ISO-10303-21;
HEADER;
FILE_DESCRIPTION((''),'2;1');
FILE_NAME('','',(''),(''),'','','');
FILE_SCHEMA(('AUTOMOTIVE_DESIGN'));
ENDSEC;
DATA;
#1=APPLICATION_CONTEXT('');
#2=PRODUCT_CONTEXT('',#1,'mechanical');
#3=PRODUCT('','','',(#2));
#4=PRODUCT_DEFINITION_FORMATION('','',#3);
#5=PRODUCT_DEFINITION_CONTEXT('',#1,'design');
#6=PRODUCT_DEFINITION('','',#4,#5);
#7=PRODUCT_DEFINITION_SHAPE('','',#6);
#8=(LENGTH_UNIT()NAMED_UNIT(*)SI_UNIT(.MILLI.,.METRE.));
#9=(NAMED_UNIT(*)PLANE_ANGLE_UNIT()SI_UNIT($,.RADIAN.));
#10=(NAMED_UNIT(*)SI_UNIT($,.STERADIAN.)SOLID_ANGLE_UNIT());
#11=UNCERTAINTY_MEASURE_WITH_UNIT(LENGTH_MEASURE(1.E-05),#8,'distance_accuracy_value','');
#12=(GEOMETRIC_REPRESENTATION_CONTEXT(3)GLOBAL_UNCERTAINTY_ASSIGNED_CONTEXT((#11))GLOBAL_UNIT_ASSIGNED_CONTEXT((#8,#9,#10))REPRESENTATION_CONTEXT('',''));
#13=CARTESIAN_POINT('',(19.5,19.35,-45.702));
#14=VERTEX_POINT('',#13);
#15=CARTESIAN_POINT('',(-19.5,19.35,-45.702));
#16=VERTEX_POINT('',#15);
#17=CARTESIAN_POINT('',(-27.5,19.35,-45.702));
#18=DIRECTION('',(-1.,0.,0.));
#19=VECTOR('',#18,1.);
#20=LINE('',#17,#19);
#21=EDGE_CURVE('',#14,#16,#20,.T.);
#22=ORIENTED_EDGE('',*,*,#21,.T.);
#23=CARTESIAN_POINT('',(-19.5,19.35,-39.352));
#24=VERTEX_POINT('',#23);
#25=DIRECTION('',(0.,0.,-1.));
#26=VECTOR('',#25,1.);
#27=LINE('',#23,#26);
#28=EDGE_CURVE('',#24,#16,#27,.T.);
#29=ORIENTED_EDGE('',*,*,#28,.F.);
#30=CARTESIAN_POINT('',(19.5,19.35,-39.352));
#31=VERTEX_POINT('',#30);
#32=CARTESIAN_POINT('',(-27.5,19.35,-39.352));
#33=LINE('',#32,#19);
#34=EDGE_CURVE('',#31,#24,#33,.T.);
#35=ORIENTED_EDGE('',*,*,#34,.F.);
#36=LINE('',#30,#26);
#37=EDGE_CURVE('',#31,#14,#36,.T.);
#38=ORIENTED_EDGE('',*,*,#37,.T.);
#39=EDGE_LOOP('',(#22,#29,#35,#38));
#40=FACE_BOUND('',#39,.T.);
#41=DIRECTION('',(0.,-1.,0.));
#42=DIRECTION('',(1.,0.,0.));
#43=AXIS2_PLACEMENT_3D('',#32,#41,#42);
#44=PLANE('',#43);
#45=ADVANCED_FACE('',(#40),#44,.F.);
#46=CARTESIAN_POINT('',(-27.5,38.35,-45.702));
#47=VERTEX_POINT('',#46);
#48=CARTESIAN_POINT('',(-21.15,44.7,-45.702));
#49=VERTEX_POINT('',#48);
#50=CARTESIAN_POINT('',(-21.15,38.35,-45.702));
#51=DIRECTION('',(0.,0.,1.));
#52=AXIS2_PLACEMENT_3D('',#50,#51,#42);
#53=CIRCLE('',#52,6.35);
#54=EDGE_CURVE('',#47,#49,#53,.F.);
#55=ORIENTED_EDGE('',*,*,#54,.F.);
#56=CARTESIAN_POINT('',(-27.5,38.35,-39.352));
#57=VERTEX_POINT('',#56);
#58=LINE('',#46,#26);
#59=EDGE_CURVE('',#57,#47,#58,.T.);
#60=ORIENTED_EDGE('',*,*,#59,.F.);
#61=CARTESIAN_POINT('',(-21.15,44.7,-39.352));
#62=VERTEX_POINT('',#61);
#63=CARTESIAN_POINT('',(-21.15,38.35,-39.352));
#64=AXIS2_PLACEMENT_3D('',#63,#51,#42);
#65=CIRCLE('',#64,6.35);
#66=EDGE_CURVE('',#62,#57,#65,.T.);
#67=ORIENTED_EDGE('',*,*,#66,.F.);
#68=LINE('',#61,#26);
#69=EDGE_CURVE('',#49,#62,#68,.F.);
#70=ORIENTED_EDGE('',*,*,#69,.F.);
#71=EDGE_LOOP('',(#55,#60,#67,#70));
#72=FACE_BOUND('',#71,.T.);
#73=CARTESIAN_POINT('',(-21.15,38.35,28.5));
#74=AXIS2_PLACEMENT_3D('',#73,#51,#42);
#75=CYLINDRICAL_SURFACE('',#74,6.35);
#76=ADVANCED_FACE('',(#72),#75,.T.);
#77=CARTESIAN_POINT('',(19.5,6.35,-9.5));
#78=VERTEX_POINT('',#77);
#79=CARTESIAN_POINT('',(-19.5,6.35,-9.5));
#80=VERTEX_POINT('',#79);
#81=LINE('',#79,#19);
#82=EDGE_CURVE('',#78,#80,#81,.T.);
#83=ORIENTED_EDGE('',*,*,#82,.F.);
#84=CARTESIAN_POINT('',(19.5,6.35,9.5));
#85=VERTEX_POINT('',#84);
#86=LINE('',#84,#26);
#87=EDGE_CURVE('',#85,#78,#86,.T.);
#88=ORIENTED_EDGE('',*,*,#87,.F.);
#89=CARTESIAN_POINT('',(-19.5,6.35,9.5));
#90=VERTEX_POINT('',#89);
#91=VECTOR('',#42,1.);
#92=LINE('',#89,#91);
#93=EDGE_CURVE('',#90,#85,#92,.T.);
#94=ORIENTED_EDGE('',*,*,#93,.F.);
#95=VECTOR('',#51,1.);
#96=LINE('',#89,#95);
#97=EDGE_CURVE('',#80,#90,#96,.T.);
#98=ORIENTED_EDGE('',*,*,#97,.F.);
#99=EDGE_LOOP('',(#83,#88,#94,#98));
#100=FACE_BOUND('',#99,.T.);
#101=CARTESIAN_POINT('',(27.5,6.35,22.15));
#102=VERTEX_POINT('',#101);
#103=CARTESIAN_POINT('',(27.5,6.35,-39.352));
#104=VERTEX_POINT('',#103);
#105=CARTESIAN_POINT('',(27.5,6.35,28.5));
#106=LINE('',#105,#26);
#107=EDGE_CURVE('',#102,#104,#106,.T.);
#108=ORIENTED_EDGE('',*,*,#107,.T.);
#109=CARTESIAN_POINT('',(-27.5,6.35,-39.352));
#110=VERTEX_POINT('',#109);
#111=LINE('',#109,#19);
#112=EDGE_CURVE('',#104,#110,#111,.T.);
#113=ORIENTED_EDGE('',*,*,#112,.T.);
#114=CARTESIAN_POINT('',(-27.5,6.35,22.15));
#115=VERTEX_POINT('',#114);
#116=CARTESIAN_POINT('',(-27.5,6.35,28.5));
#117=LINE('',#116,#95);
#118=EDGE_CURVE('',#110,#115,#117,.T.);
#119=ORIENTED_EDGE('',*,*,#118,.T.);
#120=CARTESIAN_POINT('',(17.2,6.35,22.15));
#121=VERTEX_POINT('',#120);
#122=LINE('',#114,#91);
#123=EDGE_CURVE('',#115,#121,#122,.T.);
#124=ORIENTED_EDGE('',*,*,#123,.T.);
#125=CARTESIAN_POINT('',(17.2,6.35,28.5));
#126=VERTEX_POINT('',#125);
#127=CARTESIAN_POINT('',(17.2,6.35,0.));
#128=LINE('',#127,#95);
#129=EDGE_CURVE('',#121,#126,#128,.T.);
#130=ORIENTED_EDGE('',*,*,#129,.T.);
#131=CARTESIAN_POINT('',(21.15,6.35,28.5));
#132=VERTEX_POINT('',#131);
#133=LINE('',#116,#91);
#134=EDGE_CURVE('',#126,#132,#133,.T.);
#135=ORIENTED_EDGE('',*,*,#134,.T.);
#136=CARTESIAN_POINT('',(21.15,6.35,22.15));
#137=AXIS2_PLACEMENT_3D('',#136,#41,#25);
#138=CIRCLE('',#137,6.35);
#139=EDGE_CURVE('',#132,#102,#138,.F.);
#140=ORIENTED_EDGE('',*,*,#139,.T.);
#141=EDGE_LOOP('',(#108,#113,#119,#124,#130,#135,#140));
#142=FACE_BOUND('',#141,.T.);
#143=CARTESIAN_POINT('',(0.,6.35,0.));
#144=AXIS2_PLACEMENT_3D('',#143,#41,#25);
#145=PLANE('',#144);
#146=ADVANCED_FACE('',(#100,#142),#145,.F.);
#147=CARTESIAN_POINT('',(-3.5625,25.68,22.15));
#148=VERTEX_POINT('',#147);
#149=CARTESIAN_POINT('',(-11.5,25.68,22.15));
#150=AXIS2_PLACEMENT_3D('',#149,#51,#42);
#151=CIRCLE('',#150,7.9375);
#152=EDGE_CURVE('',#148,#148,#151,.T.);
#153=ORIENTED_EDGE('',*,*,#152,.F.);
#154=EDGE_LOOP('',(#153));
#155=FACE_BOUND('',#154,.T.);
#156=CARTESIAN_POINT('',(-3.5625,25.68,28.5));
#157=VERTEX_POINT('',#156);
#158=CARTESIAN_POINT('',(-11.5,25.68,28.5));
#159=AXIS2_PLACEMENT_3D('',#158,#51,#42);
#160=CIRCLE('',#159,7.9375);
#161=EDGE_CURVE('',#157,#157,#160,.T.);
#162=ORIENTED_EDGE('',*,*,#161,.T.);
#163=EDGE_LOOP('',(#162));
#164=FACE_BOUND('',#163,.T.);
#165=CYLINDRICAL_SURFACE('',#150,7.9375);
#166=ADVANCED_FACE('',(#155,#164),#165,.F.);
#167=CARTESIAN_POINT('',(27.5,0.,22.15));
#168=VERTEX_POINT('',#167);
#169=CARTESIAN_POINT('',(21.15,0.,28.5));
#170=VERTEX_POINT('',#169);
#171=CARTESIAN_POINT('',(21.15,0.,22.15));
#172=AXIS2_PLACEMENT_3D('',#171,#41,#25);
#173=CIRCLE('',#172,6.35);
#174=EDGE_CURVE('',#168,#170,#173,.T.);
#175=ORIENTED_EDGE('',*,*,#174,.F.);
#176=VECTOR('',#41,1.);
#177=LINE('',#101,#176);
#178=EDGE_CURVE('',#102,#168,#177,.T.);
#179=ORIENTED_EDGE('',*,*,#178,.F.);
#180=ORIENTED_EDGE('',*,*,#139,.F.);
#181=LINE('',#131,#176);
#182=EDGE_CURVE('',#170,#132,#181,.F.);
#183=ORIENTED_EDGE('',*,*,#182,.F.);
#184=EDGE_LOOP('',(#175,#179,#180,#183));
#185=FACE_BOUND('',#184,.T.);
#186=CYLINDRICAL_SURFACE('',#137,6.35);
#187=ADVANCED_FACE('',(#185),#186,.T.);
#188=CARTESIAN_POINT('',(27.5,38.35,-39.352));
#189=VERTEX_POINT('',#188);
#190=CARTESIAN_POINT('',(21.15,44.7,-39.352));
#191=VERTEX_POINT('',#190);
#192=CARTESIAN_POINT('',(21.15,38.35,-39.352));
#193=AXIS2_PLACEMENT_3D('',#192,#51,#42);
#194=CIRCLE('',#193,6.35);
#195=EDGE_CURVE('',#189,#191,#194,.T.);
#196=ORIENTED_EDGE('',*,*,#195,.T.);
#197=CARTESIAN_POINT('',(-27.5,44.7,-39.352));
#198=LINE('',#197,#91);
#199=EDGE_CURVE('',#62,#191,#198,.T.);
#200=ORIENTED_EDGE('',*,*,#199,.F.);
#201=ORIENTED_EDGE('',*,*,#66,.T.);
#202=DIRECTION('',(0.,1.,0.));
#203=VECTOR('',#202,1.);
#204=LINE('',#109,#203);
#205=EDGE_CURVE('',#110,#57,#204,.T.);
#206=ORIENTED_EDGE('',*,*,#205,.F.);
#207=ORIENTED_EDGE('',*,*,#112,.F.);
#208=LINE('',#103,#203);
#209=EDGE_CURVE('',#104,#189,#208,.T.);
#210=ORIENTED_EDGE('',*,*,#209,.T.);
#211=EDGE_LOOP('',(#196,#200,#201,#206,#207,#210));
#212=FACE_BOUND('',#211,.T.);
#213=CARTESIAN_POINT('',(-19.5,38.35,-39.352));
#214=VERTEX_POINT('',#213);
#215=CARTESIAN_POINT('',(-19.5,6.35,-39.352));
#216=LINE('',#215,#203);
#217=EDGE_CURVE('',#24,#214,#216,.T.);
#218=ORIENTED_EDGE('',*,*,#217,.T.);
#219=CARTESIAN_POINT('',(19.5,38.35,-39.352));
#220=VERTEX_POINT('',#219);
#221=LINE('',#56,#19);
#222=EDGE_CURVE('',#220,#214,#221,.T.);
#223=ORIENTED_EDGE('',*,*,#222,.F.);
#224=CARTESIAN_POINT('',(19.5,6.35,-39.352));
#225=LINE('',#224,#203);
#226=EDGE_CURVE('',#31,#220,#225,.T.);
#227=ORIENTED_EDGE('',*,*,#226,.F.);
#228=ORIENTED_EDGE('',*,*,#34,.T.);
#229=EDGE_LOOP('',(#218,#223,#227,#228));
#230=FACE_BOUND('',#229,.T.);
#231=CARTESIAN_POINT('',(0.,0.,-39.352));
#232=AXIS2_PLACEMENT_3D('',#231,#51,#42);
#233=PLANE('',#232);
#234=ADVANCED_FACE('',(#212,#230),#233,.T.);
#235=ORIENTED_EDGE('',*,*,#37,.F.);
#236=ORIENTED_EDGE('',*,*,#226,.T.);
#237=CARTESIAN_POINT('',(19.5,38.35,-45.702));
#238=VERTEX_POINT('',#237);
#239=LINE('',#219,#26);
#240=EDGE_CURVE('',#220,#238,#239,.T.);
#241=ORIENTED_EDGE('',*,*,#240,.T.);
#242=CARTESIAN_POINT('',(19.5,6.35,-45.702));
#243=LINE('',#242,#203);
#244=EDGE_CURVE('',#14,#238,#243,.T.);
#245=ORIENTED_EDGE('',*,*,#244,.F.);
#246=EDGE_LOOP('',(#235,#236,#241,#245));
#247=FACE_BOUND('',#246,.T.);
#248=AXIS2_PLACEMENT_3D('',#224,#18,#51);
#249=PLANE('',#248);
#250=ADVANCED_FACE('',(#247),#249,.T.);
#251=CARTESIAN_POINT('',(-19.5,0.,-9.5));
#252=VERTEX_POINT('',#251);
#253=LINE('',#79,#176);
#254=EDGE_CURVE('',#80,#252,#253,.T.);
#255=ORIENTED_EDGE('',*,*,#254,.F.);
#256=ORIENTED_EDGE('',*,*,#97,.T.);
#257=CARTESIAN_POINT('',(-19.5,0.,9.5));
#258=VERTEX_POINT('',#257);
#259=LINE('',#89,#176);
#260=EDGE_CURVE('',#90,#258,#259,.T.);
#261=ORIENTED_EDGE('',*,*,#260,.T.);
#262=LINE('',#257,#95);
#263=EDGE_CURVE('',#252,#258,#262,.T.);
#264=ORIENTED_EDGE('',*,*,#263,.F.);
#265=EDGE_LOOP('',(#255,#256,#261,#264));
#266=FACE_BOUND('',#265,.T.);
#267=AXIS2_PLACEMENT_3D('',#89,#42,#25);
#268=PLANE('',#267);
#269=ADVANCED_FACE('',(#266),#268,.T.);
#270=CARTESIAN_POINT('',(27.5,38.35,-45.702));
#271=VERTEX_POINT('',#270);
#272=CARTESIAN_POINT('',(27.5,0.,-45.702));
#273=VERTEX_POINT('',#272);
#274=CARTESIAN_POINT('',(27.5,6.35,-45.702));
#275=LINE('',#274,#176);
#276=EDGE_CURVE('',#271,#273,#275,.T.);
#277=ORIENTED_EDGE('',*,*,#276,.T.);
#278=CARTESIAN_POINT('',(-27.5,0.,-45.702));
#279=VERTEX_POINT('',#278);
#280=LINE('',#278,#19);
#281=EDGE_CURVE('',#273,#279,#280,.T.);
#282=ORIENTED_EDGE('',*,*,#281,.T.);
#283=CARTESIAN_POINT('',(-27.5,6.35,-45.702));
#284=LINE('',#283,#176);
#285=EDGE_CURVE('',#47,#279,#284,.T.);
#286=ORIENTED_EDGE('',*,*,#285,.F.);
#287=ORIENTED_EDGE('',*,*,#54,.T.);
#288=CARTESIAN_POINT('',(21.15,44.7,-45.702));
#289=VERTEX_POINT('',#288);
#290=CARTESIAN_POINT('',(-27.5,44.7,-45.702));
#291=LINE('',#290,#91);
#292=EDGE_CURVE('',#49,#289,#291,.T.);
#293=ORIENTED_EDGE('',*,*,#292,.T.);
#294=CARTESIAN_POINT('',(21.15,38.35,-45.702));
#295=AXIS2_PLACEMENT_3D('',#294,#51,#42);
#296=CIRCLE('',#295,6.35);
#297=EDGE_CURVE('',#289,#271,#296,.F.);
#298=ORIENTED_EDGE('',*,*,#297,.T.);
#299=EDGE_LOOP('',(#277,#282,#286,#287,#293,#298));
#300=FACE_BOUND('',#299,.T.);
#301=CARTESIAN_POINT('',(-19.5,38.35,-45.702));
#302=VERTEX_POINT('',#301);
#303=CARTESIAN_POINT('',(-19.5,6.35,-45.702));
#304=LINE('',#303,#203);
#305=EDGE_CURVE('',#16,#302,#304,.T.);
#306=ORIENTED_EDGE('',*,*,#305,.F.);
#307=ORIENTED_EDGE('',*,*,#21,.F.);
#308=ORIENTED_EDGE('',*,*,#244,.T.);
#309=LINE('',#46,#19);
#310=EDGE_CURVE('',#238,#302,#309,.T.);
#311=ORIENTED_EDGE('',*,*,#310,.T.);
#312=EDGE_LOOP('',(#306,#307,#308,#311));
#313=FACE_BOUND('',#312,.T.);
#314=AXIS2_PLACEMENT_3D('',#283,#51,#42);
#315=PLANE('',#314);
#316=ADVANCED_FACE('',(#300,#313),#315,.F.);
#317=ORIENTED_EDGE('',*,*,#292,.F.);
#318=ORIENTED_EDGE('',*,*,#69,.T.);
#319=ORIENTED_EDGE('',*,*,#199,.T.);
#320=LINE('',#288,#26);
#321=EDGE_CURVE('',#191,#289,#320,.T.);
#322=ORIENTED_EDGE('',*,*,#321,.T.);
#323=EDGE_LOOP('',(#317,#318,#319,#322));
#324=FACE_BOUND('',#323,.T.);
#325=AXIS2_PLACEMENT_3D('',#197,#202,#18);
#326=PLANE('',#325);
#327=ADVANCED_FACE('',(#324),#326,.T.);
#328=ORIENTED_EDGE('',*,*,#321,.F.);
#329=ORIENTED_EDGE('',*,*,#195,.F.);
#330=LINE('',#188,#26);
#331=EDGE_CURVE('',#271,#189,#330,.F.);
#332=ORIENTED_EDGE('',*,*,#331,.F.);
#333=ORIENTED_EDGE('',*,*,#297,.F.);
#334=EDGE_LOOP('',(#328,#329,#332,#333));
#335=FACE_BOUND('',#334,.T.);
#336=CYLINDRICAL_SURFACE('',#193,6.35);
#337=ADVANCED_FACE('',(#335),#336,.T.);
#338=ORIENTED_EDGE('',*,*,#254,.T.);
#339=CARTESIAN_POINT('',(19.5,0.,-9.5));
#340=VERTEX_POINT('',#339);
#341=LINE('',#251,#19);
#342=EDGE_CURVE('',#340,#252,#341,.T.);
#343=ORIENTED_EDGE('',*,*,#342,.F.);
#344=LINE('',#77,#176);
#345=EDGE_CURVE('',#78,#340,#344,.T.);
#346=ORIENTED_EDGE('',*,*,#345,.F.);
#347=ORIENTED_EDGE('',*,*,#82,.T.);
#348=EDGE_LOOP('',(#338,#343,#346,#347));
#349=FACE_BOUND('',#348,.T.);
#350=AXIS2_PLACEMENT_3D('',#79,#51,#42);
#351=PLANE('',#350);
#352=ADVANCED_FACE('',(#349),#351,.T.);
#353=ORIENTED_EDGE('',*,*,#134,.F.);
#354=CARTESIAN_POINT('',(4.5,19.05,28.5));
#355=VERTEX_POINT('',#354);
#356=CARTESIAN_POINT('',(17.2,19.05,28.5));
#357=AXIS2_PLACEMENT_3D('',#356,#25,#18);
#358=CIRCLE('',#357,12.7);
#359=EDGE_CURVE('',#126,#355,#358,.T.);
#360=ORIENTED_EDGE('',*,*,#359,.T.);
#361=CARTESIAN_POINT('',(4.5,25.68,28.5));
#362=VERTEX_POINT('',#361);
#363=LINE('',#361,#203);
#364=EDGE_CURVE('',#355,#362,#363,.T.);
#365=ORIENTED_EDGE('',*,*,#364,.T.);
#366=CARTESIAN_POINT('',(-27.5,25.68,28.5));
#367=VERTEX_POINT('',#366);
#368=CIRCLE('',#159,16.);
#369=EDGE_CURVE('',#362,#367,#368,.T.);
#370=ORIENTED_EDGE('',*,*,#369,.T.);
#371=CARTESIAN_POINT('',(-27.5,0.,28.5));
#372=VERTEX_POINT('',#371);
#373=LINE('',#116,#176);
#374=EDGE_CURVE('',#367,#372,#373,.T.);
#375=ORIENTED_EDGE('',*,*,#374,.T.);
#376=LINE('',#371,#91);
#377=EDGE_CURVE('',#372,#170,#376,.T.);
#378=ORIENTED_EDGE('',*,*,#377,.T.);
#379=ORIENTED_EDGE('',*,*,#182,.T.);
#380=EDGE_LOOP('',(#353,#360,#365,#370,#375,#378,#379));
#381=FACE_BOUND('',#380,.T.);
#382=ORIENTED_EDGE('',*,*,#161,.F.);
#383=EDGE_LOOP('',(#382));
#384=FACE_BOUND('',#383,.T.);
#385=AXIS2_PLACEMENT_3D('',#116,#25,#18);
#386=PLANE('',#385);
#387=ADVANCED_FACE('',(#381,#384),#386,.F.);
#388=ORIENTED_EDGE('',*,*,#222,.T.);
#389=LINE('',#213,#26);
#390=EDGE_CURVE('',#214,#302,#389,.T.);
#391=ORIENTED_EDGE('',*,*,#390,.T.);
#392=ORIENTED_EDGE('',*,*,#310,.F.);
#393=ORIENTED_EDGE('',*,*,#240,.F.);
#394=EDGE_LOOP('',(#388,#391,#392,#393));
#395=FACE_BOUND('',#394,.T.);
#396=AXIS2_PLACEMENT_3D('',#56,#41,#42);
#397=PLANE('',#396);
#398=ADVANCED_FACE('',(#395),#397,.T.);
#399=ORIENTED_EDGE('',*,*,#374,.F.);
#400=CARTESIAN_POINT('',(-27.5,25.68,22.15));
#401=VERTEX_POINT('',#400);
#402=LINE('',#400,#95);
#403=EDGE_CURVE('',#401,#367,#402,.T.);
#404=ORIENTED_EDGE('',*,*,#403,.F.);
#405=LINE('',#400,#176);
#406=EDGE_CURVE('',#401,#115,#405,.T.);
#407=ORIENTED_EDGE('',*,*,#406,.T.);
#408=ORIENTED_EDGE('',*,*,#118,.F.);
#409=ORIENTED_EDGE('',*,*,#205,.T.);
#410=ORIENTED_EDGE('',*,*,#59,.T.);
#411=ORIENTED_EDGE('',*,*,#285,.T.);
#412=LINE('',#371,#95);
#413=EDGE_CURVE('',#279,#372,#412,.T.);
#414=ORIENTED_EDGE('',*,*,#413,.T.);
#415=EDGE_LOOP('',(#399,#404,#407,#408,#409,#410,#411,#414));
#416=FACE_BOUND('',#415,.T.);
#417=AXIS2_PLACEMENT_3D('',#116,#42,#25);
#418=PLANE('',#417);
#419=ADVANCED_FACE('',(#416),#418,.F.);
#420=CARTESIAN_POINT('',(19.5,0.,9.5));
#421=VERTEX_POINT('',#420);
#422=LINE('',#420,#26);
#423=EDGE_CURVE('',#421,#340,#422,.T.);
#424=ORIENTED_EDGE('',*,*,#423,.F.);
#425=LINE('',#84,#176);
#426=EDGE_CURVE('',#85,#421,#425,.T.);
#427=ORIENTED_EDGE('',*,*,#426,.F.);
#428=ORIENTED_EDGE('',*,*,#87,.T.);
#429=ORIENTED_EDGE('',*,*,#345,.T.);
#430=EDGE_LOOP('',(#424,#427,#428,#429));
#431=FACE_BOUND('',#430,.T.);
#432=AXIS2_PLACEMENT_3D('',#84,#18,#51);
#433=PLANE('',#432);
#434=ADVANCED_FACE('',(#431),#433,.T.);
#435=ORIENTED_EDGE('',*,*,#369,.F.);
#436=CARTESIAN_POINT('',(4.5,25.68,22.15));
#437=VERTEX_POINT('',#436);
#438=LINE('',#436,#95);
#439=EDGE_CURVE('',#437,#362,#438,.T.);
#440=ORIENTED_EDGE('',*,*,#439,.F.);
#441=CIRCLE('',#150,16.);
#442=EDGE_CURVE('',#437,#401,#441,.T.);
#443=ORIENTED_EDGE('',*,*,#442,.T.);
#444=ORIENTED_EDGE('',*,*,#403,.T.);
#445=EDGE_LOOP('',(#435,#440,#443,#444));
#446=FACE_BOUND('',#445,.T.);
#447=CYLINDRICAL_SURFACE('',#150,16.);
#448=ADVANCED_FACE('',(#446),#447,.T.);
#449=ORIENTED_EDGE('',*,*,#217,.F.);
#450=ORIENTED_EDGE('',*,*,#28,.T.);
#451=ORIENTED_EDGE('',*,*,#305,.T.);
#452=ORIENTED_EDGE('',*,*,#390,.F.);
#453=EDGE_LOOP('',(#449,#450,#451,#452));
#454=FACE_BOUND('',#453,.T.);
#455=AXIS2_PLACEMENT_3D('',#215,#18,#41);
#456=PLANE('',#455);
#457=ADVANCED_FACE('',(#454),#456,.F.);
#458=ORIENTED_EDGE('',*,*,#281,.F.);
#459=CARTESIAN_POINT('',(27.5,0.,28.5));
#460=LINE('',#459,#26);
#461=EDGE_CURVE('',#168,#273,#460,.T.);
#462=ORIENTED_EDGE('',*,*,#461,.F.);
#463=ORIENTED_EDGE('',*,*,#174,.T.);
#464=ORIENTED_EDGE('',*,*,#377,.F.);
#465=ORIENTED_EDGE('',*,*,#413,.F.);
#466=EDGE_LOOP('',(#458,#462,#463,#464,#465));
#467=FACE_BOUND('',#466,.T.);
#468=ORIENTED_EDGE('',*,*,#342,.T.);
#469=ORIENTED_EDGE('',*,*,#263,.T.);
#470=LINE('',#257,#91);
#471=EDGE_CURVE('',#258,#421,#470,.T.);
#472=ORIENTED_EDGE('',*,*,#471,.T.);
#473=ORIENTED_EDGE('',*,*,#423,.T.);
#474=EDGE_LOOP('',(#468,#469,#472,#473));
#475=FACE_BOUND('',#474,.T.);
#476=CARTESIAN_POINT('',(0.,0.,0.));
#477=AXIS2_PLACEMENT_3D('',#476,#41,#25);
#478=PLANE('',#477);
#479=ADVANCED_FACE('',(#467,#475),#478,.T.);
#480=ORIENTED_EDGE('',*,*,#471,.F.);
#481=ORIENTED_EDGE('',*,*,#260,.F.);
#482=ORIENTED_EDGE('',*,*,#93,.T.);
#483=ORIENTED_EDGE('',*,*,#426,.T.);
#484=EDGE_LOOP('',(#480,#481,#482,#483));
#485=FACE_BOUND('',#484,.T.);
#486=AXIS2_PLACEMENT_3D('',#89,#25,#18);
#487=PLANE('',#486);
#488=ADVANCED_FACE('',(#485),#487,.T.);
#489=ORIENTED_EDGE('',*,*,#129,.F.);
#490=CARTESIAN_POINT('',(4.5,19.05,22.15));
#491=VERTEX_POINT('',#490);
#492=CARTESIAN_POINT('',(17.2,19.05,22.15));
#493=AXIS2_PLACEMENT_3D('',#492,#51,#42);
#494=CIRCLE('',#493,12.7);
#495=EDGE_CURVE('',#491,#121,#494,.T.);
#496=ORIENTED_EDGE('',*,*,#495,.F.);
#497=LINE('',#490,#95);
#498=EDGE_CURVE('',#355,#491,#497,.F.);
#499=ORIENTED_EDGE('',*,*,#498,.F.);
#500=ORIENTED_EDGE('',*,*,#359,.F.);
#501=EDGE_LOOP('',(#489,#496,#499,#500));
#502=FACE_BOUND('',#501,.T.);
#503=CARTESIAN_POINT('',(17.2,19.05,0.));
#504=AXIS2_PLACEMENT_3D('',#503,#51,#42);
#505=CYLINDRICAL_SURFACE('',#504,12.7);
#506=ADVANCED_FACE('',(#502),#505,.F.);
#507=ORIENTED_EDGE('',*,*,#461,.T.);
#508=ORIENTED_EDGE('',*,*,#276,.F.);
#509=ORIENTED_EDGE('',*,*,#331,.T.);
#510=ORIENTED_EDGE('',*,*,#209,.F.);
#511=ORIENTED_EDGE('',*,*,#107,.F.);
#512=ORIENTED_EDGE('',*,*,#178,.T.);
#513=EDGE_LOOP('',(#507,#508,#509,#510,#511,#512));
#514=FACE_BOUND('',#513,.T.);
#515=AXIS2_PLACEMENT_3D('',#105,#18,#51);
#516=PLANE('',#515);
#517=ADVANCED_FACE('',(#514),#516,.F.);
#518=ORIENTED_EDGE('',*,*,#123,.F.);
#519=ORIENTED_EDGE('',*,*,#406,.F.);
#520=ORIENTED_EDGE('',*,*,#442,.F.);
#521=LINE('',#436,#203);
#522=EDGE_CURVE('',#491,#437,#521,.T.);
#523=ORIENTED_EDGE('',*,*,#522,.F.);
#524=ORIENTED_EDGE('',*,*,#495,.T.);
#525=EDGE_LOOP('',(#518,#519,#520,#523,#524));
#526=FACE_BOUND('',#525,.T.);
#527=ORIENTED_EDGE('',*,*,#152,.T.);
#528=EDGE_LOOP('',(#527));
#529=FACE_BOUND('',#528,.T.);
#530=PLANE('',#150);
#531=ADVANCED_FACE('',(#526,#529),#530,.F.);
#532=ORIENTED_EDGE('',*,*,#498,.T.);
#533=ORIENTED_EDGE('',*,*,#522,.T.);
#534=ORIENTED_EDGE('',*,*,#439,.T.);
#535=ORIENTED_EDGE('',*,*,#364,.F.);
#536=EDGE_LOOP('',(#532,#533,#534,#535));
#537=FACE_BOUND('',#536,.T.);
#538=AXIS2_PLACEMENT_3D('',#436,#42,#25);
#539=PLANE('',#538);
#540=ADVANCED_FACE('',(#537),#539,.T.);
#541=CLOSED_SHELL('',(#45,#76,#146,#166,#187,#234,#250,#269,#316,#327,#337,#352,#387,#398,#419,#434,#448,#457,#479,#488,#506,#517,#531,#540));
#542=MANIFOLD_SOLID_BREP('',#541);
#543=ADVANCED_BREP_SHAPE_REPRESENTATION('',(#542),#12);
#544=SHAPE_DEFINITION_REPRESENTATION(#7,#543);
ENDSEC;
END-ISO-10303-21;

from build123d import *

# Parameters (mm, degrees)
SKETCH1_W            = 55
SKETCH1_H            = 74.202
SKETCH1_W_2          = 39
SKETCH1_H_2          = 19
BOSS_EXTRUDE1_DEPTH  = 6.35
SKETCH2_W            = 55
SKETCH2_H            = 38.35
SKETCH2_W_2          = 39
SKETCH2_H_2          = 19
BOSS_EXTRUDE2_DEPTH  = 6.35
SKETCH12_R           = 7.9375
BOSS_EXTRUDE11_DEPTH = 6.35
FILLET2_R            = 12.7
FILLET1_R            = 6.35


with BuildPart() as part:
    # Sketch1 → Boss-Extrude1 (new body)
    with BuildSketch(Plane(origin=(0, 0, 0), x_dir=(1, 0, 0), z_dir=(0, 1, 0))):
        with Locations((0, 8.601)):
            Rectangle(SKETCH1_W, SKETCH1_H)
        Rectangle(SKETCH1_W_2, SKETCH1_H_2, mode=Mode.SUBTRACT)
    extrude(amount=BOSS_EXTRUDE1_DEPTH)

    # Sketch2 → Boss-Extrude2 (add)
    with BuildSketch(Plane.XY.offset(-45.702)):
        with Locations((0, 25.525)):
            Rectangle(SKETCH2_W, SKETCH2_H)
        with Locations((0, 28.85)):
            Rectangle(SKETCH2_W_2, SKETCH2_H_2, mode=Mode.SUBTRACT)
    extrude(amount=BOSS_EXTRUDE2_DEPTH)

    # Sketch12 → Boss-Extrude11 (add)
    with BuildSketch(Plane.XY.offset(28.5)):
        with BuildLine():
            Line((-27.5, 25.68), (-27.5, 6.35))
            Line((-27.5, 6.35), (4.5, 6.35))
            Line((4.5, 6.35), (4.5, 25.68))
            ThreePointArc((4.5, 25.68), (-11.5, 41.68), (-27.5, 25.68))
        make_face()
        with Locations((-11.5, 25.68)):
            Circle(SKETCH12_R, mode=Mode.SUBTRACT)
    extrude(amount=-BOSS_EXTRUDE11_DEPTH)

    # Fillet2
    fillet2_edges = [part.edges().sort_by_distance(p)[0] for p in [
        (4.5, 6.35, 25.325),
    ]]
    fillet(fillet2_edges, radius=FILLET2_R)

    # Fillet1
    fillet1_edges = [part.edges().sort_by_distance(p)[0] for p in [
        (27.5, 44.7, -42.527),
        (-27.5, 44.7, -42.527),
        (27.5, 3.175, 28.5),
    ]]
    fillet(fillet1_edges, radius=FILLET1_R)


solid = part.part
